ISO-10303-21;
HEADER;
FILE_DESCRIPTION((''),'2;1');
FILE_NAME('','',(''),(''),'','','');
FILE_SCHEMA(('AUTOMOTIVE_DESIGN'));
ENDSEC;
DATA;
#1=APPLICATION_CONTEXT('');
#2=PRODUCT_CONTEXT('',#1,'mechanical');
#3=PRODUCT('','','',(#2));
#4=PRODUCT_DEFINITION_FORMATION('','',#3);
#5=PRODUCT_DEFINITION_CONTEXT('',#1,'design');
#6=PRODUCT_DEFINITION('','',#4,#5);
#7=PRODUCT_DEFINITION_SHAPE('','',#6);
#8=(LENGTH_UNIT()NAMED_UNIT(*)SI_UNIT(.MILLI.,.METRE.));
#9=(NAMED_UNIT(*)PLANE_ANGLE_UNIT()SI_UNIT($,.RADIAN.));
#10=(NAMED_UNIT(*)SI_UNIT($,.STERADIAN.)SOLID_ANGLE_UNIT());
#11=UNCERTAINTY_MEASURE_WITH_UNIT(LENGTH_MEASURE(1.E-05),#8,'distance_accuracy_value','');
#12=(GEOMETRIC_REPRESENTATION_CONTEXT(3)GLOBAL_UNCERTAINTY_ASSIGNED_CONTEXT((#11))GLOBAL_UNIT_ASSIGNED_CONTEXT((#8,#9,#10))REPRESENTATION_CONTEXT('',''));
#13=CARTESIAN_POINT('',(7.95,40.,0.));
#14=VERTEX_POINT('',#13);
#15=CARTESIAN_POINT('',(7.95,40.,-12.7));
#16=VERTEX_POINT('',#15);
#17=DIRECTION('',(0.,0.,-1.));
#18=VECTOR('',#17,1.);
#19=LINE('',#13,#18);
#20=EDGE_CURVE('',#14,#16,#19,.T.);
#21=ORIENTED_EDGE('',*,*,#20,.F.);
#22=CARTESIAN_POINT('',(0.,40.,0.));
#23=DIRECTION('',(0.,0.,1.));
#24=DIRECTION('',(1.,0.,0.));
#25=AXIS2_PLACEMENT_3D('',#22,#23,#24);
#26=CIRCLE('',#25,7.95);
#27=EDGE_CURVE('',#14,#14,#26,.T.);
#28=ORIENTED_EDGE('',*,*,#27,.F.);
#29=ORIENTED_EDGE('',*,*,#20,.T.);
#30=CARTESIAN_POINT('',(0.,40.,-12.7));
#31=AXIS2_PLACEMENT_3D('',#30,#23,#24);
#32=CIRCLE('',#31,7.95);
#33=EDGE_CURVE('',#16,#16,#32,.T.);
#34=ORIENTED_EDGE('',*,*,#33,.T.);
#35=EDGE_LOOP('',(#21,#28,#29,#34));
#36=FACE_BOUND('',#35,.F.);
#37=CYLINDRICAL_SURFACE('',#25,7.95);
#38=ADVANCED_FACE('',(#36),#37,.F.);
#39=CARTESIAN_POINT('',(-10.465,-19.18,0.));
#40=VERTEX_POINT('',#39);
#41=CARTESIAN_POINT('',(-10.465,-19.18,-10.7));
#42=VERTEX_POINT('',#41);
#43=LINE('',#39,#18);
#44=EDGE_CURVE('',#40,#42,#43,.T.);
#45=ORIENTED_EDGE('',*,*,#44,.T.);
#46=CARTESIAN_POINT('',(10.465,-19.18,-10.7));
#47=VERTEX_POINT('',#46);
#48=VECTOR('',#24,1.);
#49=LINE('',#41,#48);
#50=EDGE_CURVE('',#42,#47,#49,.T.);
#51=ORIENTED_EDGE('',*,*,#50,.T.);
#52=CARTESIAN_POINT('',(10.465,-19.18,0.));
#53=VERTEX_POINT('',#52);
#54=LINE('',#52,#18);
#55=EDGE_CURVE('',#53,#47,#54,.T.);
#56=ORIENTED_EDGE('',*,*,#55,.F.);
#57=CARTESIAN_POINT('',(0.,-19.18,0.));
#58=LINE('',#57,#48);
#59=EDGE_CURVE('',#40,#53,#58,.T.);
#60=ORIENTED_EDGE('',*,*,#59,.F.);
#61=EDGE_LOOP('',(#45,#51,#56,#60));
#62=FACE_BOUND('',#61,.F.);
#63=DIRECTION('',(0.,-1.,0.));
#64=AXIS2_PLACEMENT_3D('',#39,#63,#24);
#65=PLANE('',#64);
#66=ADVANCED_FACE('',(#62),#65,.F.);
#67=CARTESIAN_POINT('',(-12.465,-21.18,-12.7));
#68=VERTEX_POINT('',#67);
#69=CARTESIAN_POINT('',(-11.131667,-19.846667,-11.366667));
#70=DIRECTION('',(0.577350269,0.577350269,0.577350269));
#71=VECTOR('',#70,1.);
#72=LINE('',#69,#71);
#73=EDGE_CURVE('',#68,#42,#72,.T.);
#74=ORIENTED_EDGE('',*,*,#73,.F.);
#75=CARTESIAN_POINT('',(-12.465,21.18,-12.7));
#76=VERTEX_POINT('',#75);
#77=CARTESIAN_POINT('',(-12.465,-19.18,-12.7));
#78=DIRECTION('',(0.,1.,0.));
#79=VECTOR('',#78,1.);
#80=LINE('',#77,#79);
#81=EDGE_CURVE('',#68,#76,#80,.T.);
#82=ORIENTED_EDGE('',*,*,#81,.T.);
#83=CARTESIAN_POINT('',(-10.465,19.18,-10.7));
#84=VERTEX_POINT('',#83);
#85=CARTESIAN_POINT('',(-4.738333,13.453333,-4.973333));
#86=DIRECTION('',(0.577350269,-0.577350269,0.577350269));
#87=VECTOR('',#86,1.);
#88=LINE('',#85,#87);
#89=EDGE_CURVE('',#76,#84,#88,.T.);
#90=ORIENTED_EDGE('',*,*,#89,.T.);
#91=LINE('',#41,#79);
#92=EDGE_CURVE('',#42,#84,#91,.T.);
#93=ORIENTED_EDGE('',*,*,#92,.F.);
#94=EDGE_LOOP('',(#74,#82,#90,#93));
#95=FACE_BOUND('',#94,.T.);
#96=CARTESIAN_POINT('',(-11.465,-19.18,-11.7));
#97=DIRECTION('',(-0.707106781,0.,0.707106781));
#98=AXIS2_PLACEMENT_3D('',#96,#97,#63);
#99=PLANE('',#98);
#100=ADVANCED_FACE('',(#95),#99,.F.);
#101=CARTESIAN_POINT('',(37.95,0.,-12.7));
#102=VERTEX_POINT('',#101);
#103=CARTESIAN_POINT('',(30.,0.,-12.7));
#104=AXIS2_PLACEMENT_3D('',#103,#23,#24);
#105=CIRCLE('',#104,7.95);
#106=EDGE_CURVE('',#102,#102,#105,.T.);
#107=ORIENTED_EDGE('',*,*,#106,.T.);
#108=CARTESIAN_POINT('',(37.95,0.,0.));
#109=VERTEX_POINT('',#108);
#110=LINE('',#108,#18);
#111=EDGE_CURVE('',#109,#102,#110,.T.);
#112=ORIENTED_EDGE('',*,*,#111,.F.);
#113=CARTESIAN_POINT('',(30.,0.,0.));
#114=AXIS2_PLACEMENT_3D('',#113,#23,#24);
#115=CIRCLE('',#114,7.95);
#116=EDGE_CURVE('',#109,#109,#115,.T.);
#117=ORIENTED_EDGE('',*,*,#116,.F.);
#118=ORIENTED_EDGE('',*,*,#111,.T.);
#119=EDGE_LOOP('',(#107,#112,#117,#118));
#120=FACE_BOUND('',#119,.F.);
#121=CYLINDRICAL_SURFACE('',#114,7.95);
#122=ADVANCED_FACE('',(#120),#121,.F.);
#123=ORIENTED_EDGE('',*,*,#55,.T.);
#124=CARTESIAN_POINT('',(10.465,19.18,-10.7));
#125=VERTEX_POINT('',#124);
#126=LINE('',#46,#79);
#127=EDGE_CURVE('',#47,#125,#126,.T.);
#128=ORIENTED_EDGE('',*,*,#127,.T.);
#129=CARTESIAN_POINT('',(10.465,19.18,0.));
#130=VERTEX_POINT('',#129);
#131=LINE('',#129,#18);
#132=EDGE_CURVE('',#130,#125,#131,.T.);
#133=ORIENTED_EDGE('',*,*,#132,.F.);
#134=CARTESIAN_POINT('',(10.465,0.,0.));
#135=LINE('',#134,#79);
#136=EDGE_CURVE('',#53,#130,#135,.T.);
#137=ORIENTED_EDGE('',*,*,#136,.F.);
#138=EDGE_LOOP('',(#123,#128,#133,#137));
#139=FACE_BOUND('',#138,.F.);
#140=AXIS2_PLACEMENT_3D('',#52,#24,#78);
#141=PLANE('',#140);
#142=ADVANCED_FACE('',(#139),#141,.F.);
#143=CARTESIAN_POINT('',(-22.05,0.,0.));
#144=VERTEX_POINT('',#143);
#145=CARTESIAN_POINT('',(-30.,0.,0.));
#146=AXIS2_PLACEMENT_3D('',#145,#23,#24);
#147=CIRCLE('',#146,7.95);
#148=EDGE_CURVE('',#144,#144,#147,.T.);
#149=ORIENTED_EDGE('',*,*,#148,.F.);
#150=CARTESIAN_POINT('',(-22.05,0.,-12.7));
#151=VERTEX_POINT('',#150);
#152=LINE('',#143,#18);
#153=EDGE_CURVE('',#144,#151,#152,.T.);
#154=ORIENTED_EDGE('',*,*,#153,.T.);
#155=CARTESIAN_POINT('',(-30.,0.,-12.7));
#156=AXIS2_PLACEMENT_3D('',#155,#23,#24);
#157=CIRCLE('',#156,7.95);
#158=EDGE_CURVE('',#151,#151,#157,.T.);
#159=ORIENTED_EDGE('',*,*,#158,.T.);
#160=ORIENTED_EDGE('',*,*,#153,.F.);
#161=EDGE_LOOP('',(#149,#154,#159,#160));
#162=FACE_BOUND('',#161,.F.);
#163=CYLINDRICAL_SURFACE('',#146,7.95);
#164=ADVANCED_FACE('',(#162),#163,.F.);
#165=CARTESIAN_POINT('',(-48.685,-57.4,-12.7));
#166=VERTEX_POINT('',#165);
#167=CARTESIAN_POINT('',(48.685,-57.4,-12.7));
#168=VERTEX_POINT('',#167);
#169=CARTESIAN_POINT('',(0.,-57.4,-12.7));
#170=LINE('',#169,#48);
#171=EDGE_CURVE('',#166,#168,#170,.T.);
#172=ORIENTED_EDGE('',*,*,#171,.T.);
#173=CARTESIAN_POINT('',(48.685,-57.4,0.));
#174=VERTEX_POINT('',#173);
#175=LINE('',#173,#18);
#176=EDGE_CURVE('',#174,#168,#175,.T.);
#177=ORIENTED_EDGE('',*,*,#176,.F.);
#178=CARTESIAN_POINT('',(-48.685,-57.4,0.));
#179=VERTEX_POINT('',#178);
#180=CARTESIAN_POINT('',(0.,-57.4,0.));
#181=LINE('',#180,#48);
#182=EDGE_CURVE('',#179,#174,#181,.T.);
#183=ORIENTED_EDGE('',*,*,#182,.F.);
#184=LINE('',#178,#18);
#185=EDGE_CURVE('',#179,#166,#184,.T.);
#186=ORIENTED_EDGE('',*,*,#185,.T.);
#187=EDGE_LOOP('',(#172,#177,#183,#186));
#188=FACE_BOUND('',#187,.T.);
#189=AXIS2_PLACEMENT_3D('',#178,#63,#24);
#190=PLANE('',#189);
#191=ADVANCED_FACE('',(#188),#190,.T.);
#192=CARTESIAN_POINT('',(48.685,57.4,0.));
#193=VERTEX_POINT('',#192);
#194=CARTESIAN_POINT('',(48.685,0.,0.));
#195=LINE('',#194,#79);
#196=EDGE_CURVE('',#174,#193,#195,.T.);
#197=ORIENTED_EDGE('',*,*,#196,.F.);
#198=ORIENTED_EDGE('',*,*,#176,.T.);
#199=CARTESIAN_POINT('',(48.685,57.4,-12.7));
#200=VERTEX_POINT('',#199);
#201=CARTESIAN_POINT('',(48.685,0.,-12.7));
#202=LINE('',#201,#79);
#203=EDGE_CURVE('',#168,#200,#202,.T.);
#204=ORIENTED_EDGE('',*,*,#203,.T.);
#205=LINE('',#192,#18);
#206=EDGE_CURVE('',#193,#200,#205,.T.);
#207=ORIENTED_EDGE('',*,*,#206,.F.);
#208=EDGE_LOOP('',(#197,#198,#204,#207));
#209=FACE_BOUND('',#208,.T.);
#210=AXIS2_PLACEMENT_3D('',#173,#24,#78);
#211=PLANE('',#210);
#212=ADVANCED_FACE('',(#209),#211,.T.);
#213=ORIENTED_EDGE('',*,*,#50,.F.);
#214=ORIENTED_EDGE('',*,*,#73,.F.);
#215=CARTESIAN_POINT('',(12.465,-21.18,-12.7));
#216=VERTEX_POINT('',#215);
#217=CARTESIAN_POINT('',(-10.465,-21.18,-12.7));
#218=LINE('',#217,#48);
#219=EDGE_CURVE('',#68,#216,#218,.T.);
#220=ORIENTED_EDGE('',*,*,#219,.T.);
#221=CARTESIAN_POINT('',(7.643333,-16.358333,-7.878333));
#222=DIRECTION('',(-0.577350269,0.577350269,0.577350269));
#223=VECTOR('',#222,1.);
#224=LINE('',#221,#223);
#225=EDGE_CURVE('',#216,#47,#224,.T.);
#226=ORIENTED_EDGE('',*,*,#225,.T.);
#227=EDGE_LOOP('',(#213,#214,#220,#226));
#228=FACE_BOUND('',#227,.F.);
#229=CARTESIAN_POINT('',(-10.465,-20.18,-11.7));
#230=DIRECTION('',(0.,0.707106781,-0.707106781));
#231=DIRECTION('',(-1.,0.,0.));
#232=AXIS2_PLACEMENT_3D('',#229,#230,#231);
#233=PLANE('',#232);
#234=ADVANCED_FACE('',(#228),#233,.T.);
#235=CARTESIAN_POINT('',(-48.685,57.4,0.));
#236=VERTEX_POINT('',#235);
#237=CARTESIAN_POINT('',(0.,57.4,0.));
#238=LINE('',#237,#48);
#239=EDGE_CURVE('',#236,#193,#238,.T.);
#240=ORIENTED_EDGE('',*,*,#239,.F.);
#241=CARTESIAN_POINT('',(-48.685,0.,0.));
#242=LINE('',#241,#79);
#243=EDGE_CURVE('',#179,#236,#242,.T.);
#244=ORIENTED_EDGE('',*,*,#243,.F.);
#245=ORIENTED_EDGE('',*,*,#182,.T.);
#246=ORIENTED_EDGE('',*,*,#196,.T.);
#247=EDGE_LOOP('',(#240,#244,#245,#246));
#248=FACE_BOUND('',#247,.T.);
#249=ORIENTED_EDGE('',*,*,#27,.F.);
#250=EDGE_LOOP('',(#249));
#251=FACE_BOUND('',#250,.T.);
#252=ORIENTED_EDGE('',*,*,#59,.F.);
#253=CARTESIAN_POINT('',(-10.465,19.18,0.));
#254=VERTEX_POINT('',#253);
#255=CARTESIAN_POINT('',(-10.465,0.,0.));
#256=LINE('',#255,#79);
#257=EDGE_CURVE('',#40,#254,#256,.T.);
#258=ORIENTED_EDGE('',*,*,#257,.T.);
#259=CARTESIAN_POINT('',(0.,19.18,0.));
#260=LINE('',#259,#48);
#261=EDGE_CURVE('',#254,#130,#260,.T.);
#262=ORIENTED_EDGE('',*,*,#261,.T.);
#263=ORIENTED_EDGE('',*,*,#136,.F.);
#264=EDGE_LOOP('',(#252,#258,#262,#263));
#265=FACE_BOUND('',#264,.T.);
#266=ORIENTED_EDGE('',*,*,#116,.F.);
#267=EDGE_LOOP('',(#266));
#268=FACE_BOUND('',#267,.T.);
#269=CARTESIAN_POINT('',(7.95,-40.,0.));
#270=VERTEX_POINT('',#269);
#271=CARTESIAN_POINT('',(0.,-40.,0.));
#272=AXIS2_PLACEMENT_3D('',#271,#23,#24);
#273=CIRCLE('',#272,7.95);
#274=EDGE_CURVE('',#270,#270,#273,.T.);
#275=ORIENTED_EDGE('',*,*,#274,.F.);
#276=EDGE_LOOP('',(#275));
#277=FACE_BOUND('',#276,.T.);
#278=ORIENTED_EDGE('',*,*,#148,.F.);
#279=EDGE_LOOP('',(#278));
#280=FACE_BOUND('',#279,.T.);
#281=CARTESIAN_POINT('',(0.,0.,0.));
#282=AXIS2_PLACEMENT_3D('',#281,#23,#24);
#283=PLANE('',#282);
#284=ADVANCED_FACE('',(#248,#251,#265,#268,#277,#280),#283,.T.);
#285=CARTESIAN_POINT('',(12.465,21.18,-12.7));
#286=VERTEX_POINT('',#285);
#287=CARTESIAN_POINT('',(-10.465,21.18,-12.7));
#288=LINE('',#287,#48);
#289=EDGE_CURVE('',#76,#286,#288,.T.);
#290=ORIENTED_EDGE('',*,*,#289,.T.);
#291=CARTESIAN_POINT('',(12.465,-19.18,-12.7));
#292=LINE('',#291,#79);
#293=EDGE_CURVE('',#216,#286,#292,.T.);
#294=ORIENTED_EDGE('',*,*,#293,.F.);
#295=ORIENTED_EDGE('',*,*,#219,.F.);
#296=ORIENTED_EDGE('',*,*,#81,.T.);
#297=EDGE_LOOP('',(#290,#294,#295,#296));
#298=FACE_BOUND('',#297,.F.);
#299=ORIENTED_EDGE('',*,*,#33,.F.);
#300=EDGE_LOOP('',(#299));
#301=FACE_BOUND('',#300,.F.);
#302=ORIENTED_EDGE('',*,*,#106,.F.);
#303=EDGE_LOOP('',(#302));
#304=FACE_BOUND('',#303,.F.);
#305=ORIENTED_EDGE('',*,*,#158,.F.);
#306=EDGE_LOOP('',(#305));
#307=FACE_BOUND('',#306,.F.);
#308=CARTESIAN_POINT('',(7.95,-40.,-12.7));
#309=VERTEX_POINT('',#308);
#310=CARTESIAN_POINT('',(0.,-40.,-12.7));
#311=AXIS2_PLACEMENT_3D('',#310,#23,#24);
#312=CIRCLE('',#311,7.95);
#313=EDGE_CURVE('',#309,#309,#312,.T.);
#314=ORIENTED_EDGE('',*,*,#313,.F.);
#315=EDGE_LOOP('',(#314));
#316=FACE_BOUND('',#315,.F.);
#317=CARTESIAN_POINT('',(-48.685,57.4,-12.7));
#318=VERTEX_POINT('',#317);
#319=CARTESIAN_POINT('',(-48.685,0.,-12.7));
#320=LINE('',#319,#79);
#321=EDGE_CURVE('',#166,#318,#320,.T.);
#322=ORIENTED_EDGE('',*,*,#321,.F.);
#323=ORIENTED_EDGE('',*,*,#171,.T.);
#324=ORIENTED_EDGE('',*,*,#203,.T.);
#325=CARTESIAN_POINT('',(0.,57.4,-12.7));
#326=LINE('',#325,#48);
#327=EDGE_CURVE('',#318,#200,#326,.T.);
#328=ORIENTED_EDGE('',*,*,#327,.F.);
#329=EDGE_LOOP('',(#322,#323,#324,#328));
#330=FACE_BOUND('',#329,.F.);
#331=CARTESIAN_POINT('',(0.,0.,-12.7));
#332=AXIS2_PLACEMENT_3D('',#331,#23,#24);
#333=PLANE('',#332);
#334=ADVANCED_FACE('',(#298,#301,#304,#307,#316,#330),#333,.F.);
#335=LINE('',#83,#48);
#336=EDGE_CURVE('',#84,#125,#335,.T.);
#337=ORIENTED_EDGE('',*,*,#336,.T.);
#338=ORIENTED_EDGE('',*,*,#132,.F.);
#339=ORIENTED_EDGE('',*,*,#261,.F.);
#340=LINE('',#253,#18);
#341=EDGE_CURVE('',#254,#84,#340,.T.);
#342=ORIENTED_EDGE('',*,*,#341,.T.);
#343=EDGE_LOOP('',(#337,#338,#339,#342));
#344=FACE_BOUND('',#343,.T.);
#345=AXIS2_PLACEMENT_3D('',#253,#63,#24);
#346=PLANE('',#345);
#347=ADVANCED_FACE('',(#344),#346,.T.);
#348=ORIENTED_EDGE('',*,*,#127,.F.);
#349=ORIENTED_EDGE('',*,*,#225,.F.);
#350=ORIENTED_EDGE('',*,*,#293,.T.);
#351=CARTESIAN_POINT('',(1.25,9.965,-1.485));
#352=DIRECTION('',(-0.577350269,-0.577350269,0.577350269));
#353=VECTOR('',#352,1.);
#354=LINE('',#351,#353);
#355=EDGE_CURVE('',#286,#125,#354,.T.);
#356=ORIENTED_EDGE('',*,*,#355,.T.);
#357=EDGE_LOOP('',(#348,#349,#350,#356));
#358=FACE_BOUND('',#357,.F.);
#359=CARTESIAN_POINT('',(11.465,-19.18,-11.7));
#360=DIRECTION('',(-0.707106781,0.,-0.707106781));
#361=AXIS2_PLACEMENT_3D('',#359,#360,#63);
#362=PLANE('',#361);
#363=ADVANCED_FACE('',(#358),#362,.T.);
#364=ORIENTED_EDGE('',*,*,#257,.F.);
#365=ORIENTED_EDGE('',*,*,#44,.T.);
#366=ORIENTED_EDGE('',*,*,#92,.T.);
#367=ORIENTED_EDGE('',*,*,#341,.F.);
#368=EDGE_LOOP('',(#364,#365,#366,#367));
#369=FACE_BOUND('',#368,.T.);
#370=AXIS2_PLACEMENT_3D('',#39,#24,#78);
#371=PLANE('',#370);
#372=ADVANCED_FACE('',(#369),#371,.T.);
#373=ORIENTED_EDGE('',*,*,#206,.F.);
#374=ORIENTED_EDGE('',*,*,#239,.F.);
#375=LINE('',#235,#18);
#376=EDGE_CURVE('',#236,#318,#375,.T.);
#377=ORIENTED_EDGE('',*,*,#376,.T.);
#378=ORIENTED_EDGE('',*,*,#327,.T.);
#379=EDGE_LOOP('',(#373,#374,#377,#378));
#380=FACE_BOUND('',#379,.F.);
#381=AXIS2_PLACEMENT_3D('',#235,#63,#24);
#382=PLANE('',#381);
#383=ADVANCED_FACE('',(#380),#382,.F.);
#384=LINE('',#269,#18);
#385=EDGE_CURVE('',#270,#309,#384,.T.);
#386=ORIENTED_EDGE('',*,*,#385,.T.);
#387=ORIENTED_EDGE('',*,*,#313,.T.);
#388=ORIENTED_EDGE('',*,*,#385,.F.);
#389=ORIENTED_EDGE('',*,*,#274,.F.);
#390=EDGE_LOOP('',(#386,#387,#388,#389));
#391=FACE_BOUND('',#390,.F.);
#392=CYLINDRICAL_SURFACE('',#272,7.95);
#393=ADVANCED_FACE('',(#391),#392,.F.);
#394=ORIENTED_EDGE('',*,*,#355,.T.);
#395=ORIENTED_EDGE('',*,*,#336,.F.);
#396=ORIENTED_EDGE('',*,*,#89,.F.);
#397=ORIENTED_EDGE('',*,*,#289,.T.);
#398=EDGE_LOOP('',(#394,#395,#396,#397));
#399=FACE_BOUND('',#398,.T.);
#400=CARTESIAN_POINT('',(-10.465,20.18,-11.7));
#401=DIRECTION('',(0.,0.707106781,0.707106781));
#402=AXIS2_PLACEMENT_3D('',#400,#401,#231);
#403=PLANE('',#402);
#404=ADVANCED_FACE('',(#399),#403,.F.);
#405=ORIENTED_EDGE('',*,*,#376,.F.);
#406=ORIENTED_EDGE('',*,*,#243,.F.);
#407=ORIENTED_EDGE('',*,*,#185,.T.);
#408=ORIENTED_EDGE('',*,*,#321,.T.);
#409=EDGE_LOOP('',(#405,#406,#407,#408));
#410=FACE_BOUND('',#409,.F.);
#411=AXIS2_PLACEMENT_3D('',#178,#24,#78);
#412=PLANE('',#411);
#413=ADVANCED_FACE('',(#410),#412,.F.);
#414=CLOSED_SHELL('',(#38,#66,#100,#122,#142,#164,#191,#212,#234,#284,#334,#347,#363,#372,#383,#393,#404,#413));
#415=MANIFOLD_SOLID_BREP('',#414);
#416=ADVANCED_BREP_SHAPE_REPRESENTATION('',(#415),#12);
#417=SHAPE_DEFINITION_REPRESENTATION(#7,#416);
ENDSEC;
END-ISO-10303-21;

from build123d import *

# Parameters (mm, degrees)
F0_W     = 97.37
F0_H     = 114.8
F1_DEPTH = 12.7
F2_W     = 20.93
F2_H     = 38.36
F3_DEPTH = 12.701
F4_SIZE  = 2
F5_R     = 7.95
F6_DEPTH = 12.701


with BuildPart() as f1:
    # F0 (on Top) → F1 (new body)
    with BuildSketch(Plane.XY):
        Rectangle(F0_W, F0_H)
    extrude(amount=-F1_DEPTH)

    # F2 (on face) → F3 (cut, through all)
    with BuildSketch(Plane.XY):
        Rectangle(F2_W, F2_H)
    extrude(amount=-F3_DEPTH, mode=Mode.SUBTRACT)

    # F4
    f4_edges = [f1.edges().sort_by_distance(p)[0] for p in [
        (0, 19.18, -12.7),
        (10.465, 0, -12.7),
        (-10.465, 0, -12.7),
        (0, -19.18, -12.7),
    ]]
    chamfer(f4_edges, length=F4_SIZE)

    # F5 (on face) → F6 (cut, through all)
    with BuildSketch(Plane.XY):
        with Locations((0, 40)):
            Circle(F5_R)
        with Locations((30, 0)):
            Circle(F5_R)
        with Locations((-30, 0)):
            Circle(F5_R)
        with Locations((0, -40)):
            Circle(F5_R)
    extrude(amount=-F6_DEPTH, mode=Mode.SUBTRACT)


solid = f1.part
